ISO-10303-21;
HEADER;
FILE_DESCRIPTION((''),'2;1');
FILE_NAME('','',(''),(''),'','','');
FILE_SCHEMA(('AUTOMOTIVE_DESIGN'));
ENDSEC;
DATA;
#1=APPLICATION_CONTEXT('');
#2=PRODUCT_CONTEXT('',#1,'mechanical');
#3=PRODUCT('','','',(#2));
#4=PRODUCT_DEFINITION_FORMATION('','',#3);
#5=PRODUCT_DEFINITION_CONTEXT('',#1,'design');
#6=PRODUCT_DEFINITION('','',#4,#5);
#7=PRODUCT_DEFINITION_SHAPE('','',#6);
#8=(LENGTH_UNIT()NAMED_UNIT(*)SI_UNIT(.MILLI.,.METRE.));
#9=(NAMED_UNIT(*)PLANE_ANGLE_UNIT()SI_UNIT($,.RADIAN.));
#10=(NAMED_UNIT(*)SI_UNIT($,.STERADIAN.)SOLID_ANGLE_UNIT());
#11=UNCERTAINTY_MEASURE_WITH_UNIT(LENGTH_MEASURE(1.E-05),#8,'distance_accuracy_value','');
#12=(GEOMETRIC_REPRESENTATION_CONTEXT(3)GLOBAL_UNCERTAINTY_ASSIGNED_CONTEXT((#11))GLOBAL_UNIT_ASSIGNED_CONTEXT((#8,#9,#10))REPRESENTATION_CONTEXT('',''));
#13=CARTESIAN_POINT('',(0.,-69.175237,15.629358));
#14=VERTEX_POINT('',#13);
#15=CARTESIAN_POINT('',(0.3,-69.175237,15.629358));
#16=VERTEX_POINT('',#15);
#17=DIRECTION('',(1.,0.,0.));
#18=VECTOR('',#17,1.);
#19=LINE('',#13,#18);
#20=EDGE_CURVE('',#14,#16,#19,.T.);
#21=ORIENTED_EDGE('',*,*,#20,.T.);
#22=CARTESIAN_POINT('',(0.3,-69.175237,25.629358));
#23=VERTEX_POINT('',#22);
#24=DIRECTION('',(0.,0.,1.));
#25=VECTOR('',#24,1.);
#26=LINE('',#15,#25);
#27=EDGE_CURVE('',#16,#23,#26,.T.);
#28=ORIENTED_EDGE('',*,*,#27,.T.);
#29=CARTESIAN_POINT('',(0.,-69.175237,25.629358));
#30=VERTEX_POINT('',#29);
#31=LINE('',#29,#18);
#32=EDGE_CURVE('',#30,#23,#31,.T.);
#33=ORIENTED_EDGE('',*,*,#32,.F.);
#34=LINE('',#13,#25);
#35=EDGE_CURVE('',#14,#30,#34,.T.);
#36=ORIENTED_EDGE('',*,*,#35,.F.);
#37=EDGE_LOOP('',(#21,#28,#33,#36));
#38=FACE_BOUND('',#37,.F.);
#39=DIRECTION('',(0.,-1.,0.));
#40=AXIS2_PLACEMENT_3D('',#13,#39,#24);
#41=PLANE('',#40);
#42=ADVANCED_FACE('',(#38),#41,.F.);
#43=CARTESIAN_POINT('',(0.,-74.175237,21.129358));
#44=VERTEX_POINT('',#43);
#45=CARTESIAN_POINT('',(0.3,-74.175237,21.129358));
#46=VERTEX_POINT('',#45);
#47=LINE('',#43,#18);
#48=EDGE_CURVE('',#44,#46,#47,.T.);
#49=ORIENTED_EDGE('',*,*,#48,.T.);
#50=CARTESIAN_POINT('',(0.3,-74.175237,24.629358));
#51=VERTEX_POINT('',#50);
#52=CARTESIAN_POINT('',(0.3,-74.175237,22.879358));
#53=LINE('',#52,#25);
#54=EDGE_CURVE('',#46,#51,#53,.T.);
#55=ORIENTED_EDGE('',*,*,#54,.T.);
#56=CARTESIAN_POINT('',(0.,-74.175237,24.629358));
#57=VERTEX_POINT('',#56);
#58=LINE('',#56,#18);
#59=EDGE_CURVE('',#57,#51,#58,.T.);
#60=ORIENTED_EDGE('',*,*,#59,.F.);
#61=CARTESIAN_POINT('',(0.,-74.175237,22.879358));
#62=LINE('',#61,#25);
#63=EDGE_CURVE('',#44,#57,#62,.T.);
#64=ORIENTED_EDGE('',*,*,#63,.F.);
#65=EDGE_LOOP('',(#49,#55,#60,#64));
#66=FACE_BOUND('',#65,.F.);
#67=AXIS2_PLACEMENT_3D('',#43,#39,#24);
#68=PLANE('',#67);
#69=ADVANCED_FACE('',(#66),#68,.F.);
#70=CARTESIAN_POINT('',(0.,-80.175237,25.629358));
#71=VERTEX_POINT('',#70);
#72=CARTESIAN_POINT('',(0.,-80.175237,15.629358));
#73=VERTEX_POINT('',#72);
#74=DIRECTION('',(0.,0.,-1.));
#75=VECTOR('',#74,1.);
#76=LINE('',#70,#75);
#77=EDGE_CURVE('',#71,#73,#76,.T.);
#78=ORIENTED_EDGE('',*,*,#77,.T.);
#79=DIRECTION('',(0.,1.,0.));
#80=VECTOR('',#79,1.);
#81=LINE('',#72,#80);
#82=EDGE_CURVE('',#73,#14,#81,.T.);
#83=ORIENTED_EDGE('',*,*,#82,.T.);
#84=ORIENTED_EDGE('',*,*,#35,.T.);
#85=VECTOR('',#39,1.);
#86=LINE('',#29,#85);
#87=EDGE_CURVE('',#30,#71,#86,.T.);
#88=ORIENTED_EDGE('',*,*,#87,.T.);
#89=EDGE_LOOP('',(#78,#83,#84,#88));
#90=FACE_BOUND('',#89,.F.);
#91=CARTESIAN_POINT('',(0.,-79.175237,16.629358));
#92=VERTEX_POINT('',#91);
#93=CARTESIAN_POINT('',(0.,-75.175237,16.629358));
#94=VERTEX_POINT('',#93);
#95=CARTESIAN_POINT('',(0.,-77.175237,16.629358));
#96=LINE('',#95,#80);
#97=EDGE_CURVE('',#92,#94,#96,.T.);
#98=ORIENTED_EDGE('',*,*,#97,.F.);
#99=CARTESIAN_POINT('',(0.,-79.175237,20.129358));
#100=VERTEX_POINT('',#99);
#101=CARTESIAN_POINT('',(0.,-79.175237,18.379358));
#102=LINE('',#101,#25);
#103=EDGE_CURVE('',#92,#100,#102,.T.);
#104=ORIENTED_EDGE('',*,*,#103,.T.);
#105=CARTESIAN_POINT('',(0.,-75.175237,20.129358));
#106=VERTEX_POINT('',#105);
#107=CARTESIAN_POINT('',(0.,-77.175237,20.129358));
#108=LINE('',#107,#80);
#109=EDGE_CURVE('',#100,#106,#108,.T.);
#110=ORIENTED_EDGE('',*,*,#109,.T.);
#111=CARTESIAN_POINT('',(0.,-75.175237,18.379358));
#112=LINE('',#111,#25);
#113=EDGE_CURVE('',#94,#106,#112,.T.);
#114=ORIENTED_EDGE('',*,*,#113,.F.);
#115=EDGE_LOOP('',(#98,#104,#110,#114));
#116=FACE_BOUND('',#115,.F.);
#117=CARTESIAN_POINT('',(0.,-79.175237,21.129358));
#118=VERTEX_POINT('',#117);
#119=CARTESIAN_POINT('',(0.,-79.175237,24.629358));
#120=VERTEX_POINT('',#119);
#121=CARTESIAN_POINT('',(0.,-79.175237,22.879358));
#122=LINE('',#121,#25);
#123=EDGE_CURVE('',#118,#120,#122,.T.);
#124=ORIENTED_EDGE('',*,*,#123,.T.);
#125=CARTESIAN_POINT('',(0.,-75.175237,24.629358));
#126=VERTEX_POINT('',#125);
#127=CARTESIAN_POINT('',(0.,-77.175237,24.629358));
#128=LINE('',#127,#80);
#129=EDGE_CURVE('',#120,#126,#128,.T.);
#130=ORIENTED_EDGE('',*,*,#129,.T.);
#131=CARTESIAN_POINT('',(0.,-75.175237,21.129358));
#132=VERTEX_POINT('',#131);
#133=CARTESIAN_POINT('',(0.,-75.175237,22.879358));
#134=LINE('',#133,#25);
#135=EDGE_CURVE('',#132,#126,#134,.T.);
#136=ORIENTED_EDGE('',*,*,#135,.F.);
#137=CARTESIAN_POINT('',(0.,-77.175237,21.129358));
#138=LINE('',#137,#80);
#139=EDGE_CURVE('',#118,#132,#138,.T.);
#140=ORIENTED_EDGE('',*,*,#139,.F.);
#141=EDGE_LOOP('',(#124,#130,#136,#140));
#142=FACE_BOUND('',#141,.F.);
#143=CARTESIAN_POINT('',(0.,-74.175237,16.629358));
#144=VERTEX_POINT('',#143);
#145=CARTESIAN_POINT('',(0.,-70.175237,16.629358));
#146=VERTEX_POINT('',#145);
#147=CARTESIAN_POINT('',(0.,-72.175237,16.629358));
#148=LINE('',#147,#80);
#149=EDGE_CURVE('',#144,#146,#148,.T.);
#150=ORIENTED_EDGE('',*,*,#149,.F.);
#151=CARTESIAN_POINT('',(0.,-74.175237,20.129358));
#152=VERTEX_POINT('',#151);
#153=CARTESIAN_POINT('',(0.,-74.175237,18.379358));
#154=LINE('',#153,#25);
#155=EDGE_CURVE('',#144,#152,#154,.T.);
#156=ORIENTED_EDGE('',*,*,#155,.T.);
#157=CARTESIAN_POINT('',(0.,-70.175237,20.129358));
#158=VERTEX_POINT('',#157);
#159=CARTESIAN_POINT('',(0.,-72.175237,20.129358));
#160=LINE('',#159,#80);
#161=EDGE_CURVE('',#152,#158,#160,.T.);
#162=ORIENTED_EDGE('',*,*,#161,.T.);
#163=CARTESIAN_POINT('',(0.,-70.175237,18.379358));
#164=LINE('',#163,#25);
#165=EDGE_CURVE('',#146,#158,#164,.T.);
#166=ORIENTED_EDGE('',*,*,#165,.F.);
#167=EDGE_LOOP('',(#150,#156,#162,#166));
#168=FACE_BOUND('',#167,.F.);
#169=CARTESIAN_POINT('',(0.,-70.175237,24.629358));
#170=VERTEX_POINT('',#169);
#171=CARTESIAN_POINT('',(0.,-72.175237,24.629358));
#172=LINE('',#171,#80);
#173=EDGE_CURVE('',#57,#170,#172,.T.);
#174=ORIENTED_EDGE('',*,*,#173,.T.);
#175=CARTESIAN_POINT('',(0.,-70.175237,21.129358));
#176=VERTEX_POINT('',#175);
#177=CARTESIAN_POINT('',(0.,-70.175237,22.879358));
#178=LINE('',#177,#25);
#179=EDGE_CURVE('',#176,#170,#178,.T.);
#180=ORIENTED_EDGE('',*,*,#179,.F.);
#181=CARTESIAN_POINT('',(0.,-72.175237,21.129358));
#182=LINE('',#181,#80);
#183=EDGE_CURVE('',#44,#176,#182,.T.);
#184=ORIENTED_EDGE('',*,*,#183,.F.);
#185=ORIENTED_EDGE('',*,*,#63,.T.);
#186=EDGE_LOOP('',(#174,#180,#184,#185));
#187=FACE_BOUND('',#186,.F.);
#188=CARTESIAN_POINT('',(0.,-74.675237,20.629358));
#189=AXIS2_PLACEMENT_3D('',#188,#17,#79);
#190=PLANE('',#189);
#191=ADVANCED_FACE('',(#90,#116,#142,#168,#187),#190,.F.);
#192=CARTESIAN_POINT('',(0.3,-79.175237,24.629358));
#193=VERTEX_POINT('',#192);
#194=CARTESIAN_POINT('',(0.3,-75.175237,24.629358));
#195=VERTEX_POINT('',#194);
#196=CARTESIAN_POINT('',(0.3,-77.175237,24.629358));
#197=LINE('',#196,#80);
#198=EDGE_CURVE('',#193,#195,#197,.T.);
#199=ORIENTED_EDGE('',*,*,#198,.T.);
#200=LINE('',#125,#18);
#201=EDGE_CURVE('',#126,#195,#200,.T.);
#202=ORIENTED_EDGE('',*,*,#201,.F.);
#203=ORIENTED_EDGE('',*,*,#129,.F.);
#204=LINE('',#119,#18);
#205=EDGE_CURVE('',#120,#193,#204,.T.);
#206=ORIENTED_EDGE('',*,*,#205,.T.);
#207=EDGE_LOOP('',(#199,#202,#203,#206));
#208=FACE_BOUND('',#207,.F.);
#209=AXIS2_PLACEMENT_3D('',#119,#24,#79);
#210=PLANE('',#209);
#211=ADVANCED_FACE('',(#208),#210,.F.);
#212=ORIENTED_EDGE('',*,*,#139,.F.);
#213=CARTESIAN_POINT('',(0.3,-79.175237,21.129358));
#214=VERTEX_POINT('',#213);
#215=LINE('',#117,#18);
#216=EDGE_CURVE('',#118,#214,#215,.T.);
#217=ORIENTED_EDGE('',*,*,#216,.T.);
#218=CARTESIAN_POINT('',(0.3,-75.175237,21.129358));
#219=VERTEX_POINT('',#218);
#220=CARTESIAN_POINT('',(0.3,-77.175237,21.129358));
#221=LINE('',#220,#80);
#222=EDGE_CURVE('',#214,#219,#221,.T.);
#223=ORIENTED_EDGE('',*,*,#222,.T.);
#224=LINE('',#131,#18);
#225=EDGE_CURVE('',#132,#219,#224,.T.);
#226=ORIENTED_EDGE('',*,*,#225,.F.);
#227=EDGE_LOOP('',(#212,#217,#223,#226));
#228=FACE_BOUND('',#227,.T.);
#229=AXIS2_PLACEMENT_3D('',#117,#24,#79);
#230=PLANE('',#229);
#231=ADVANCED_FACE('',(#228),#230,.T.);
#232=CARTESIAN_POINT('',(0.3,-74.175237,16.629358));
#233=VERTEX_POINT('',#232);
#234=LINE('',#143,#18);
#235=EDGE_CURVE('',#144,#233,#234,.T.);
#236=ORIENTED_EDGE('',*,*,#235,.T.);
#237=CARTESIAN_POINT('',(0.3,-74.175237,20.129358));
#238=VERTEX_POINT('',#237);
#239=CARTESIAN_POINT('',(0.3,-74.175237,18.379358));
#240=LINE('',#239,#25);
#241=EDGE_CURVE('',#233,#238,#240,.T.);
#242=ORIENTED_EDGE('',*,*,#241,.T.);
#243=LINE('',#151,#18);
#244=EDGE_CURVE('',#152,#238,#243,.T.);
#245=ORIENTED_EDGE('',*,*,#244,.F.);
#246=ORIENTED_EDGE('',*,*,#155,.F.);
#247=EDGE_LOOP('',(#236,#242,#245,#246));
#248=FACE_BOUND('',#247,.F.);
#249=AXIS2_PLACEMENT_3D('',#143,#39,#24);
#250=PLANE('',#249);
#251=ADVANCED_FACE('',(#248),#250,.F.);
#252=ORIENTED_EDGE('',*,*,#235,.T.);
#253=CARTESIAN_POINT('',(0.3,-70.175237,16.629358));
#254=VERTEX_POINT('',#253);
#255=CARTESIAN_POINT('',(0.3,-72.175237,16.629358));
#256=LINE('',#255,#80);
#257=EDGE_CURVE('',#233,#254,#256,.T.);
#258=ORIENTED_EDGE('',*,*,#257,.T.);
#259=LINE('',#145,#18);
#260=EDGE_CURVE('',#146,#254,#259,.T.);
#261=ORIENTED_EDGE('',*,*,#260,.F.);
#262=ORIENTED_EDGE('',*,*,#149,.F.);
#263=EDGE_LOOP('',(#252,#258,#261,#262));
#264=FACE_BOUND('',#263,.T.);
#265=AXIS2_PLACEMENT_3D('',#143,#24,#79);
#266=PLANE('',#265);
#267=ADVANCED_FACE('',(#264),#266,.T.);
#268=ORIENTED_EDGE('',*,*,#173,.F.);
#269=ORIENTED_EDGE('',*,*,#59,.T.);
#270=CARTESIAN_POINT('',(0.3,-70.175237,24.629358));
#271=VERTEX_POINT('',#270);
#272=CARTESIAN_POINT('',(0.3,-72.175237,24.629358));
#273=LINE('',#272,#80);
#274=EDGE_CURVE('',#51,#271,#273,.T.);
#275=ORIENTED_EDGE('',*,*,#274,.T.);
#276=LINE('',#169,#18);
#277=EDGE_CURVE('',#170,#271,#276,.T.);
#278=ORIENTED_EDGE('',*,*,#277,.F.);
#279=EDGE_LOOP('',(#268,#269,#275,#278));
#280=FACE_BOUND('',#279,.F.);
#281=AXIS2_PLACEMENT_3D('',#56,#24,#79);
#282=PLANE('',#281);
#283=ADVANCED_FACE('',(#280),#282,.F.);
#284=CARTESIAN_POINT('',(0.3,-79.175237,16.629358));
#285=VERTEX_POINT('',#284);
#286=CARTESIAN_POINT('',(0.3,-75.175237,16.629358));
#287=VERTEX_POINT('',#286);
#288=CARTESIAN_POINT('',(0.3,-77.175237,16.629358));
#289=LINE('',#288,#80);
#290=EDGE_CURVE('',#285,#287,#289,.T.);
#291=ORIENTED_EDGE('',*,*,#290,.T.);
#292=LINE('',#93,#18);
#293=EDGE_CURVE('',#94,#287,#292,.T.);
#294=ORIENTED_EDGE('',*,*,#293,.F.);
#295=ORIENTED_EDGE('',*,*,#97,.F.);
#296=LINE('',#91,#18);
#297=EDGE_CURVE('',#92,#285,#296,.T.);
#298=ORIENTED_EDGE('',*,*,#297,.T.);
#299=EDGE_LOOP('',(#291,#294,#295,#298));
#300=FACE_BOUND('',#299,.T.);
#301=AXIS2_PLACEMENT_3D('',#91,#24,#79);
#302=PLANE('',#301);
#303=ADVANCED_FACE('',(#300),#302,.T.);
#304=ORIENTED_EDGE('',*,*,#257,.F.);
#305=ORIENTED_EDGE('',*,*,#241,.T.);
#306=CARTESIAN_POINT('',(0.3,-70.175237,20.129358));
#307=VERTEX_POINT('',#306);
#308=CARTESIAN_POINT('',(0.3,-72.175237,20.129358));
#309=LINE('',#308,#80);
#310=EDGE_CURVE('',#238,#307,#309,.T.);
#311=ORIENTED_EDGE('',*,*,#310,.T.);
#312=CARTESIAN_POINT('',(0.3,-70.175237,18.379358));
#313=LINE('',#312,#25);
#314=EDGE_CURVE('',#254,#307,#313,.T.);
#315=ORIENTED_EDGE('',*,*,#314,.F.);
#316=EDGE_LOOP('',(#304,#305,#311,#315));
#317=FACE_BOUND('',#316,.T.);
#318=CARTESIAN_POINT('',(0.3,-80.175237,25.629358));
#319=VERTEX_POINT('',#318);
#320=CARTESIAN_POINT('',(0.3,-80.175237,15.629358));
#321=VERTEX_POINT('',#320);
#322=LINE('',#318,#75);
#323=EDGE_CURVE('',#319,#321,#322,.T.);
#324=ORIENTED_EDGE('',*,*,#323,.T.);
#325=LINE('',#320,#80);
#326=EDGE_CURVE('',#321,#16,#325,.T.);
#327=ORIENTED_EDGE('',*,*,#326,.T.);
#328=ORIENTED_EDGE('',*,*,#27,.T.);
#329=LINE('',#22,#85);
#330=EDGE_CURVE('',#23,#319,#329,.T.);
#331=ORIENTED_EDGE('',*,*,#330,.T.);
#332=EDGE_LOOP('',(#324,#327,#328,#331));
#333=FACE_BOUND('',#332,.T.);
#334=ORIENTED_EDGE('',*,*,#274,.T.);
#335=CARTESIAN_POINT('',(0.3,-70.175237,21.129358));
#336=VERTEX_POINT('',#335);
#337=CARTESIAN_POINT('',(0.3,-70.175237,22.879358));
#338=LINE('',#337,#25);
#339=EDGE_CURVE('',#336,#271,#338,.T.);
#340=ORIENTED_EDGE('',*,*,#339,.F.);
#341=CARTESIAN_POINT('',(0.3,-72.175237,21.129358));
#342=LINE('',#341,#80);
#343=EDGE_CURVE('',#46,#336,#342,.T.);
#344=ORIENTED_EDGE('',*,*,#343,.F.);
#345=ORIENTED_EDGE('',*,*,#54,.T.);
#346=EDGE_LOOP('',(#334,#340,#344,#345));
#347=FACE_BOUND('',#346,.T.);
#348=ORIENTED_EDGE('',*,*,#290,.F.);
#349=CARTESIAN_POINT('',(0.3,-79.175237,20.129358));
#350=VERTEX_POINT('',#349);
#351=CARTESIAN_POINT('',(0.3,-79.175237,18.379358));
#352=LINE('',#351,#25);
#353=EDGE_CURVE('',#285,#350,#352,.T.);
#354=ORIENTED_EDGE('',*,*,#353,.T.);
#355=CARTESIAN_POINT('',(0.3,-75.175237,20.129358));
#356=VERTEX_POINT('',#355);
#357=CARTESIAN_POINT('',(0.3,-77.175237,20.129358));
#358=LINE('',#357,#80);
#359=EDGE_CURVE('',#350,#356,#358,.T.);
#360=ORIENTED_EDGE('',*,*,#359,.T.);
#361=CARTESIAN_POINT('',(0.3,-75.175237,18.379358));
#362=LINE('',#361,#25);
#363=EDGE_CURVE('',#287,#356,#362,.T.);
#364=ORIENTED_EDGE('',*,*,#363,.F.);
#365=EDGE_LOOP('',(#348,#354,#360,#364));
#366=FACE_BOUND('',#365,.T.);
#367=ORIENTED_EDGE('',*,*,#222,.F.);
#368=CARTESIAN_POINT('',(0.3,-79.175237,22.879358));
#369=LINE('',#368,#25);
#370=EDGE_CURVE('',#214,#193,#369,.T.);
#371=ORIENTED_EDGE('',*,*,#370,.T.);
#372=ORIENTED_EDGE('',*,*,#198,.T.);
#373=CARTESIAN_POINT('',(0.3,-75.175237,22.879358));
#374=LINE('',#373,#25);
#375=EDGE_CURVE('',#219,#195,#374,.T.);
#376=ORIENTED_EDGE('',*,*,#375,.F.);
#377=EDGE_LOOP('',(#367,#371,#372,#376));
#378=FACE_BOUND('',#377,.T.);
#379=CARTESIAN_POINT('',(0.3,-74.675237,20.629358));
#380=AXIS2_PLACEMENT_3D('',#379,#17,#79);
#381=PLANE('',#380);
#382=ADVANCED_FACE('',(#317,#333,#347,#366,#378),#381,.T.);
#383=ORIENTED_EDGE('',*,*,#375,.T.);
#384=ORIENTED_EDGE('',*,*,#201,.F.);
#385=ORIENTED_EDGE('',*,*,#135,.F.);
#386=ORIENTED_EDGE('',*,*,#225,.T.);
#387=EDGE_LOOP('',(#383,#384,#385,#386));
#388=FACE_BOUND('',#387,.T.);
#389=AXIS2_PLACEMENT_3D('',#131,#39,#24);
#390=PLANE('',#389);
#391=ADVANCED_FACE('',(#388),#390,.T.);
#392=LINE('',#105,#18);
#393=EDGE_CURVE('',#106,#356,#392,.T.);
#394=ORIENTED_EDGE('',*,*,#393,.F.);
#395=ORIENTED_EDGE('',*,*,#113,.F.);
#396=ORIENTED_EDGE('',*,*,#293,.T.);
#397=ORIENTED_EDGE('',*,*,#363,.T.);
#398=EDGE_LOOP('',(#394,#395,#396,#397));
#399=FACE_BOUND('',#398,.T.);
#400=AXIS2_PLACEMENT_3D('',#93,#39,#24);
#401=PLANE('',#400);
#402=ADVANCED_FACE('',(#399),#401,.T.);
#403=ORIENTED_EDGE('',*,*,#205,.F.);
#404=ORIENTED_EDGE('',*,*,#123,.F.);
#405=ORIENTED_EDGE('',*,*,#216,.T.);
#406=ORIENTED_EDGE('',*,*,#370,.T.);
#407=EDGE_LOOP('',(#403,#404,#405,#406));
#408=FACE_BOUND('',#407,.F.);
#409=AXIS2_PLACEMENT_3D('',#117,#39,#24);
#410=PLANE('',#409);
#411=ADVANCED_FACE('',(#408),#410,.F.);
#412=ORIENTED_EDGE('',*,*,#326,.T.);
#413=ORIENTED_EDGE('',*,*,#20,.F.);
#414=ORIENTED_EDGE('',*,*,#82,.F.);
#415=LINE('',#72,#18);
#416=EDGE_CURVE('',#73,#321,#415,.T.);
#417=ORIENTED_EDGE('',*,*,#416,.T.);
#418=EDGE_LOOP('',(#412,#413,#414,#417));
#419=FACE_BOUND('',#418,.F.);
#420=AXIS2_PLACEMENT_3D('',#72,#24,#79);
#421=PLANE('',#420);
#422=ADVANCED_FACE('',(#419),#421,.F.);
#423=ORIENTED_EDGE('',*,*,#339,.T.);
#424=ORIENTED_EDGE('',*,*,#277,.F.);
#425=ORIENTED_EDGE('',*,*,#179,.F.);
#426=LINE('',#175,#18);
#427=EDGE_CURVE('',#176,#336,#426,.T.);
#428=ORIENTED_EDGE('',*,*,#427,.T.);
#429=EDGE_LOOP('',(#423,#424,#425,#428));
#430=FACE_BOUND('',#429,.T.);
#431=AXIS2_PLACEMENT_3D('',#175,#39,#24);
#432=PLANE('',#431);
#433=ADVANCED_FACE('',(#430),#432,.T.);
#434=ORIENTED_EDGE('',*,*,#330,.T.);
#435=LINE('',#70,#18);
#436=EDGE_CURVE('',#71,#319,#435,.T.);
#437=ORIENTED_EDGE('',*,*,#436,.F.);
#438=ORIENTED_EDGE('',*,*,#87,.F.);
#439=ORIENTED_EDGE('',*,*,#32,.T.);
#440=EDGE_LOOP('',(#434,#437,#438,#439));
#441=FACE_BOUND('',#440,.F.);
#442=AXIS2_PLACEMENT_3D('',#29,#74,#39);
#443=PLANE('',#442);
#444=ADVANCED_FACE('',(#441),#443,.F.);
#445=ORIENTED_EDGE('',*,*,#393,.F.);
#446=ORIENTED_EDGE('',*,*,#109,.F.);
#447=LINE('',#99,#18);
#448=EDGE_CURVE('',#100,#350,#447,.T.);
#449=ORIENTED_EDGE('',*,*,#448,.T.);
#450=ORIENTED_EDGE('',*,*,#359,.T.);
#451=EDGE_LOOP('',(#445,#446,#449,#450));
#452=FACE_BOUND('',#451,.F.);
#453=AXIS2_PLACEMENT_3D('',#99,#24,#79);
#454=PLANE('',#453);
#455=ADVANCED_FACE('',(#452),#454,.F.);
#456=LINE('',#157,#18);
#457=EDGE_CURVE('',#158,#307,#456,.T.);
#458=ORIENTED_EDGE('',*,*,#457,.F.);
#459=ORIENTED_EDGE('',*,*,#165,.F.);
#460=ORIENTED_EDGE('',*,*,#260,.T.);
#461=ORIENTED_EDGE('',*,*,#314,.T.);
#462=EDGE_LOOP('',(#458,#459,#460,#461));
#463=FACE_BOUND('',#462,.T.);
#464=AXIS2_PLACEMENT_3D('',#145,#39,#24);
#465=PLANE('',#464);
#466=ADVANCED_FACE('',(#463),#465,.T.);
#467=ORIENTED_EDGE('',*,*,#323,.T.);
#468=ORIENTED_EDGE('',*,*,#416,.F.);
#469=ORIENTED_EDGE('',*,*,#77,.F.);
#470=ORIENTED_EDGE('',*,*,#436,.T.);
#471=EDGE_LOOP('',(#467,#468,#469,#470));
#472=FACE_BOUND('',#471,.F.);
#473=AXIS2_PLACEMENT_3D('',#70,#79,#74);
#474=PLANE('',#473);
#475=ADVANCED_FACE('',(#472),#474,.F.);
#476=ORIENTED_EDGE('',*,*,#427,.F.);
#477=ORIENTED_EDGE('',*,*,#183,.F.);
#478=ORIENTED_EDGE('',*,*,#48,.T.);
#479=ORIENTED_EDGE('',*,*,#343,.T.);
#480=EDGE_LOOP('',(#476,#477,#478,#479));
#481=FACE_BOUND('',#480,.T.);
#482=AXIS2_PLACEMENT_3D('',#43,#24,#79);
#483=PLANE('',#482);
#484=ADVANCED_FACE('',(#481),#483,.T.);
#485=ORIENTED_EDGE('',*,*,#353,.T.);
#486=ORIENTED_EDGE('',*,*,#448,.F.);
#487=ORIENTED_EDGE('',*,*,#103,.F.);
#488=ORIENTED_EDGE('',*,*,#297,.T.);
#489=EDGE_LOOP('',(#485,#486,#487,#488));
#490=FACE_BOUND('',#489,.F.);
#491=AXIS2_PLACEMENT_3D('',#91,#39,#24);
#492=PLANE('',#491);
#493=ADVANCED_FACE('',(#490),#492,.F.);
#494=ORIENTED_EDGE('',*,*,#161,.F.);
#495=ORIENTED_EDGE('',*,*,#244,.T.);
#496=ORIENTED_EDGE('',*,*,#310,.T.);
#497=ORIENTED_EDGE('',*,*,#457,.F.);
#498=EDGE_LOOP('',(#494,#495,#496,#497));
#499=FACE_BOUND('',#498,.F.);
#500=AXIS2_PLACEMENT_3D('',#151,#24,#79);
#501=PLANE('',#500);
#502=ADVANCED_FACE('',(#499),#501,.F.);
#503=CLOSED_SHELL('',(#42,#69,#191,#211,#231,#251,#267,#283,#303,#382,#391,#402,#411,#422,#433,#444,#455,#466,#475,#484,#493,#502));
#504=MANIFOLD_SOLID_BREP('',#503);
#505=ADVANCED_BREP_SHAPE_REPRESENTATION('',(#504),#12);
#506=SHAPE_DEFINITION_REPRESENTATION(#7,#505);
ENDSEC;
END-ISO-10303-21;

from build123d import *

# Parameters (mm, degrees)
F0_W     = 4
F0_H     = 3.5
F1_DEPTH = 0.3


with BuildPart() as f1:
    # F0 (on Right) → F1 (new body)
    with BuildSketch(Plane.YZ):
        Polygon((-75.175237, 25.629358), (-80.175237, 25.629358), (-80.175237, 21.129358), (-80.175237, 20.129358), (-80.175237, 15.629358), (-75.175237, 15.629358), (-74.175237, 15.629358), (-69.175237, 15.629358), (-69.175237, 20.129358), (-69.175237, 21.129358), (-69.175237, 25.629358), (-74.175237, 25.629358), align=None)
        with Locations((-77.175237, 18.379358)):
            Rectangle(F0_W, F0_H, mode=Mode.SUBTRACT)
        with Locations((-72.175237, 18.379358)):
            Rectangle(F0_W, F0_H, mode=Mode.SUBTRACT)
        with Locations((-77.175237, 22.879358)):
            Rectangle(F0_W, F0_H, mode=Mode.SUBTRACT)
        with Locations((-72.175237, 22.879358)):
            Rectangle(F0_W, F0_H, mode=Mode.SUBTRACT)
    extrude(amount=F1_DEPTH)


solid = f1.part
